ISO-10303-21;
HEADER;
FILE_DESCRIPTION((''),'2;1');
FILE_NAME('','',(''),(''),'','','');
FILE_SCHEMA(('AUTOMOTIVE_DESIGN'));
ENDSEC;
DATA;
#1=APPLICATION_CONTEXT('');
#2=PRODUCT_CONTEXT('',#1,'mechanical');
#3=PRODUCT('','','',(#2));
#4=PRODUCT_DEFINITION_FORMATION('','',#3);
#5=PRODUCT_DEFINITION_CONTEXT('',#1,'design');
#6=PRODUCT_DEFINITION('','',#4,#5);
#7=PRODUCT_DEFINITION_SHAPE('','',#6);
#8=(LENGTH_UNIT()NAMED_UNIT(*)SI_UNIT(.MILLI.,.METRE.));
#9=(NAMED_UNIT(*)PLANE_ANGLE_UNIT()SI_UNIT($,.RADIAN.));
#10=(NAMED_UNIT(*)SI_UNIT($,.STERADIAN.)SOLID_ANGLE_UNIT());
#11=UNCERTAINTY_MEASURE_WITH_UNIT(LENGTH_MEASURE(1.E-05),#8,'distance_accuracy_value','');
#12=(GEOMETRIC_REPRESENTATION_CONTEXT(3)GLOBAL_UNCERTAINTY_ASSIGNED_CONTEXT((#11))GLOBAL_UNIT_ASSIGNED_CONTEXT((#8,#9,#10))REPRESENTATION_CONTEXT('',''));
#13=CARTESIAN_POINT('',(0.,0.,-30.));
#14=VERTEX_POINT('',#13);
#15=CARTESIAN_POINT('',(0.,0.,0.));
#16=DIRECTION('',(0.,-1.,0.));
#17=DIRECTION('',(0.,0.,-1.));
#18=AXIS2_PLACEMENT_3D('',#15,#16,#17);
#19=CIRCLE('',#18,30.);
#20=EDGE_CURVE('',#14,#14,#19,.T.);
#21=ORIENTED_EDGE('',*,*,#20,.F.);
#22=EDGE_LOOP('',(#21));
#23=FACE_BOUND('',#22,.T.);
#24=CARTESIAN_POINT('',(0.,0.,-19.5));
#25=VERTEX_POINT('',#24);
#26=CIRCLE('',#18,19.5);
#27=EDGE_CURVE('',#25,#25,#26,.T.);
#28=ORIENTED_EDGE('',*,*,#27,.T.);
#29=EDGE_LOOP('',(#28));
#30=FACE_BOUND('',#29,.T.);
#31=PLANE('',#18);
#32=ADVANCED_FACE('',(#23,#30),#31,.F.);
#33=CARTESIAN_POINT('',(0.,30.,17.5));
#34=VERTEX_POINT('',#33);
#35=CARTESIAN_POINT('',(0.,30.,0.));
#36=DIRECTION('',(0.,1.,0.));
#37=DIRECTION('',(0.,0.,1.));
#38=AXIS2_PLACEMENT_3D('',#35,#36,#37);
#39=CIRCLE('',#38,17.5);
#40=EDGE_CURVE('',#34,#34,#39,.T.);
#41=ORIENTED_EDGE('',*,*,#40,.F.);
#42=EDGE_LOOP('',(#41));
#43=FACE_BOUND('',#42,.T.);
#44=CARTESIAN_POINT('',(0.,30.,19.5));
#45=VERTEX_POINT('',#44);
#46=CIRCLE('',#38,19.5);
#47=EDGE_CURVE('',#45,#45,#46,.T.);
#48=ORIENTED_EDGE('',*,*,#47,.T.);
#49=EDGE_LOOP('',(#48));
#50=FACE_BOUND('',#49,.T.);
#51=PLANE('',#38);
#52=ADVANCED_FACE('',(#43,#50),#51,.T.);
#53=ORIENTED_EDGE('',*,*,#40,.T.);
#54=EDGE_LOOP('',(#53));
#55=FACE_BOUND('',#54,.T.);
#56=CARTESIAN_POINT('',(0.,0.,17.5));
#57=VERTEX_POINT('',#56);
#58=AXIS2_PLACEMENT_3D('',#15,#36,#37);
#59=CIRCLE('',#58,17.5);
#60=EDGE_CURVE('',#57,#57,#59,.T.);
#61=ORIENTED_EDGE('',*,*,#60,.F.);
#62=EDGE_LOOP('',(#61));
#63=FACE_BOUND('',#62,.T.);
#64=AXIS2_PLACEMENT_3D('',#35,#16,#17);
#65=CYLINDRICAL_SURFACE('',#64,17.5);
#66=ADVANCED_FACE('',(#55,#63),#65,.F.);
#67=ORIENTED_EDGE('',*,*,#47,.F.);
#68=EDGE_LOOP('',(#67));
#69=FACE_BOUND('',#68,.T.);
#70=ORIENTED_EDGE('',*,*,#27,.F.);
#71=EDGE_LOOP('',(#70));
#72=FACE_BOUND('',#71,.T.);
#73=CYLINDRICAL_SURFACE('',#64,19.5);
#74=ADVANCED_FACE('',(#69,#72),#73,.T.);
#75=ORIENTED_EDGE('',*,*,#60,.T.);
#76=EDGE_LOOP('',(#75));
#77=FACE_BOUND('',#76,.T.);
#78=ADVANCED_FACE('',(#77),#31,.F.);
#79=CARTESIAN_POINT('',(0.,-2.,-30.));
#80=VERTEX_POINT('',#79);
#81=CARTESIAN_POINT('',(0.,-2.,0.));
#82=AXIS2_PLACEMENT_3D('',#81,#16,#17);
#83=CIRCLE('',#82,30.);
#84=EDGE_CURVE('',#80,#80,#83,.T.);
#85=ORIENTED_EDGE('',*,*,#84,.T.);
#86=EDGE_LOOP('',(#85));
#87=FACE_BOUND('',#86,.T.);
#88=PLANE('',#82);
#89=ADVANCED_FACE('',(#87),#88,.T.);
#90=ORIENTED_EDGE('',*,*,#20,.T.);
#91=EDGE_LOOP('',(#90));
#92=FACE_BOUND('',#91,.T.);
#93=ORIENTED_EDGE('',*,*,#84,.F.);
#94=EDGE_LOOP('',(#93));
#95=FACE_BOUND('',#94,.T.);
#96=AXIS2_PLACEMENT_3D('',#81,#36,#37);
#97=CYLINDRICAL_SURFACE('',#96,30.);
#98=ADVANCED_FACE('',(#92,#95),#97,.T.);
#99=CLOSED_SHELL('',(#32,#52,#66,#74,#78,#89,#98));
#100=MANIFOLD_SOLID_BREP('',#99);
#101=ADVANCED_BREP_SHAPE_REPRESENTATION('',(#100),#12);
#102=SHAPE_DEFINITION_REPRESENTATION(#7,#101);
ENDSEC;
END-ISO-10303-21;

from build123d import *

# Parameters (mm, degrees)
SKETCH1_R           = 19.5
SKETCH1_R_2         = 17.5
BOSS_EXTRUDE1_DEPTH = 30
SKETCH2_R           = 30
BOSS_EXTRUDE2_DEPTH = 2


with BuildPart() as part:
    # Sketch1 → Boss-Extrude1 (new body)
    with BuildSketch(Plane(origin=(0, 0, 0), x_dir=(1, 0, 0), z_dir=(0, 1, 0))):
        Circle(SKETCH1_R)
        Circle(SKETCH1_R_2, mode=Mode.SUBTRACT)
    extrude(amount=BOSS_EXTRUDE1_DEPTH)

    # Sketch2 → Boss-Extrude2 (add)
    with BuildSketch(Plane.XZ):
        Circle(SKETCH2_R)
    extrude(amount=BOSS_EXTRUDE2_DEPTH)


solid = part.part
